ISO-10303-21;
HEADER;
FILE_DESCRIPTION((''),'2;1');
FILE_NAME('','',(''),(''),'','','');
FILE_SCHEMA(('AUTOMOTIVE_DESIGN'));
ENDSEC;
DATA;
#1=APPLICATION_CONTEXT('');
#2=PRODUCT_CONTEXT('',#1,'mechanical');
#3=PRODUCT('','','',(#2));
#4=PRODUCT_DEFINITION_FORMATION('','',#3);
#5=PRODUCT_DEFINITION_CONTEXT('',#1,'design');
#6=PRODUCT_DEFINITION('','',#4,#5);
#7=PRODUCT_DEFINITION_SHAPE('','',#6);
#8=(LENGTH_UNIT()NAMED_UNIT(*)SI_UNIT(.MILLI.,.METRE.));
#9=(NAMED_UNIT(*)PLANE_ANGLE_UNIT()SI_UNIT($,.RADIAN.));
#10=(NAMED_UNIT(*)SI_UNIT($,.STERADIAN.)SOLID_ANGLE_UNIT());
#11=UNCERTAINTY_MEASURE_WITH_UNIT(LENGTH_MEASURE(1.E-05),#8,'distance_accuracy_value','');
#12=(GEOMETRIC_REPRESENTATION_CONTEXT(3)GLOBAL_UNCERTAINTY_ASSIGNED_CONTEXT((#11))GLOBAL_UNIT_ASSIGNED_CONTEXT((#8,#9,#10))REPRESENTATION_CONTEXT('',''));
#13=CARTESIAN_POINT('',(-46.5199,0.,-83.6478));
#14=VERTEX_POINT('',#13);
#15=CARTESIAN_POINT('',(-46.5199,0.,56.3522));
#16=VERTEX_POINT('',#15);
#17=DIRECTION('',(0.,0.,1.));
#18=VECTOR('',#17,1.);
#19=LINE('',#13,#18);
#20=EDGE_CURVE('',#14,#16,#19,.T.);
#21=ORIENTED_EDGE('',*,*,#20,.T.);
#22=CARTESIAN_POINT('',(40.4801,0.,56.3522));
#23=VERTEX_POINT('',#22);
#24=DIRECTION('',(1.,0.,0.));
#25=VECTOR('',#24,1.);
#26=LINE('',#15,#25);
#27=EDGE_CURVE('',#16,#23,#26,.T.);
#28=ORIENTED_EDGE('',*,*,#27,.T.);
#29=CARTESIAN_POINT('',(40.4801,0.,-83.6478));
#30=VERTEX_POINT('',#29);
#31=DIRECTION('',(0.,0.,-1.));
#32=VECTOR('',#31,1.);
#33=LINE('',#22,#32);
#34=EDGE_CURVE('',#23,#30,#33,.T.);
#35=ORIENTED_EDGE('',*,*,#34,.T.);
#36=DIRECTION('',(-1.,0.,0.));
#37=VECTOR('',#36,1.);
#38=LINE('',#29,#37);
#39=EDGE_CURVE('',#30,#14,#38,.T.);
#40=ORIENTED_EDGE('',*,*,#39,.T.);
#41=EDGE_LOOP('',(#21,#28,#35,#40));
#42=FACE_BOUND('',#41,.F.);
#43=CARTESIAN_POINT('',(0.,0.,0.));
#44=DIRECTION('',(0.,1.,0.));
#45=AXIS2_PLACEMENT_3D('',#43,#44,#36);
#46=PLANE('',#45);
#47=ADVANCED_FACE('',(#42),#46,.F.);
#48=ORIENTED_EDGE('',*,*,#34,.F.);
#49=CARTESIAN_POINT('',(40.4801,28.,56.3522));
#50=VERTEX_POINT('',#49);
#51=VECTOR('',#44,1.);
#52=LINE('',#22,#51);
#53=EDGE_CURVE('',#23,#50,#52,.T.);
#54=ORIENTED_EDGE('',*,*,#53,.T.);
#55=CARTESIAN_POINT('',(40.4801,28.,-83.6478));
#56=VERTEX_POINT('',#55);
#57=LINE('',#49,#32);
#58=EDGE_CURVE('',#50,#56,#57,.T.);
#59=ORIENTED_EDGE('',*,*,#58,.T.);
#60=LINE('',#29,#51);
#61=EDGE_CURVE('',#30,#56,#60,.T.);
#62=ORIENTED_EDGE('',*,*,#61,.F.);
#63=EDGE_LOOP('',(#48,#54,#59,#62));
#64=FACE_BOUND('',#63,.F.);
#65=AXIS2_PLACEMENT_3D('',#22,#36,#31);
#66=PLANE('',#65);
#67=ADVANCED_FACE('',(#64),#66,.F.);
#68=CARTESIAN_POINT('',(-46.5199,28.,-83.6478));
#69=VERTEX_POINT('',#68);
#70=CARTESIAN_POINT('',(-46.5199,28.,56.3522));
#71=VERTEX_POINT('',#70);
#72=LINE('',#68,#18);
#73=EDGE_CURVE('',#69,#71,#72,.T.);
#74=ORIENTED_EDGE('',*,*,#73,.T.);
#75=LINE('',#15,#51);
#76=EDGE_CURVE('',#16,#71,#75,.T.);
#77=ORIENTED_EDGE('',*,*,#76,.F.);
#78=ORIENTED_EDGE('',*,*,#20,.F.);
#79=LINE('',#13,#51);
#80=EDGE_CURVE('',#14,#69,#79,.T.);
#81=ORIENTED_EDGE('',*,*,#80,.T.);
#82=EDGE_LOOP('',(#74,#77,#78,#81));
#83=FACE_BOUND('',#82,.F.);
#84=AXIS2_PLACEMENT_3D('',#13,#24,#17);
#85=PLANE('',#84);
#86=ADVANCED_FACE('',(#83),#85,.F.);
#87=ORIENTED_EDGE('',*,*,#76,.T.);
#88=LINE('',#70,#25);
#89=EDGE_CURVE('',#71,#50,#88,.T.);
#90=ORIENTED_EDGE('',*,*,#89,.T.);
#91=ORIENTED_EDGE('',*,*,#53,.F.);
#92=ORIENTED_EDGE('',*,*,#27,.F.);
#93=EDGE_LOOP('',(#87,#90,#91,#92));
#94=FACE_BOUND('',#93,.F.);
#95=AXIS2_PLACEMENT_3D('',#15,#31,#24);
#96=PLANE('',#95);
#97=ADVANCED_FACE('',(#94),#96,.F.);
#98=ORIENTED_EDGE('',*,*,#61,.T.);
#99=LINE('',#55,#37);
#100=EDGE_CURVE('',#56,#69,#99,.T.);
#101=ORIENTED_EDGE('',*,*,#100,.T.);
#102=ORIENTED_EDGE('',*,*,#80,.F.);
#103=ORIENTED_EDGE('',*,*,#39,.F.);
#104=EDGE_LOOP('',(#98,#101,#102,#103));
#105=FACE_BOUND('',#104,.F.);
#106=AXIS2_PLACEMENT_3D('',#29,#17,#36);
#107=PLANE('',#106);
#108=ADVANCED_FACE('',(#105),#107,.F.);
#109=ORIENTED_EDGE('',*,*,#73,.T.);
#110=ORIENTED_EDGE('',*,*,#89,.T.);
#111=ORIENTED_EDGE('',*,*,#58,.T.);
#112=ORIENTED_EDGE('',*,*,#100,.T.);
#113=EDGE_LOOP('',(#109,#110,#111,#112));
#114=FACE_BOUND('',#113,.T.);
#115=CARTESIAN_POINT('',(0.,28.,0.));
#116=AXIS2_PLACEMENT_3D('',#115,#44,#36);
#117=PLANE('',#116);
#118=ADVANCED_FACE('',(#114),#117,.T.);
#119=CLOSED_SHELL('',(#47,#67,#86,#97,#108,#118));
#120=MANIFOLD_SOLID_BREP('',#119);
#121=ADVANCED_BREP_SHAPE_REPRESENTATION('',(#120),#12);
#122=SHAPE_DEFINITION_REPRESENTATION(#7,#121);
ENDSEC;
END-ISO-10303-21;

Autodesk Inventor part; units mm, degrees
ref_plane "YZ Plane" through (0, 0, 0) normal (1, 0, 0) x (0, 1, 0)
ref_plane "XZ Plane" through (0, 0, 0) normal (0, 1, 0) x (-1, 0, 0)
ref_plane "XY Plane" through (0, 0, 0) normal (0, 0, 1) x (1, 0, 0)
sketch "Sketch1" plane through (0, 0, 0) normal (0, 1, 0) x (-1, 0, 0)
  line L0 (46.5199, 56.3522) -> (-40.4801, 56.3522)
  line L1 (-40.4801, 56.3522) -> (-40.4801, -83.6478)
  line L2 (-40.4801, -83.6478) -> (46.5199, -83.6478)
  line L3 (46.5199, -83.6478) -> (46.5199, 56.3522)
  point P0 (0, 0)
  dimension "d0" = 140
  dimension "d1" = 87
extrude "Extrusion1" add sketch "Sketch1" along normal blind 28
properties part number "tplinkethswitch"
